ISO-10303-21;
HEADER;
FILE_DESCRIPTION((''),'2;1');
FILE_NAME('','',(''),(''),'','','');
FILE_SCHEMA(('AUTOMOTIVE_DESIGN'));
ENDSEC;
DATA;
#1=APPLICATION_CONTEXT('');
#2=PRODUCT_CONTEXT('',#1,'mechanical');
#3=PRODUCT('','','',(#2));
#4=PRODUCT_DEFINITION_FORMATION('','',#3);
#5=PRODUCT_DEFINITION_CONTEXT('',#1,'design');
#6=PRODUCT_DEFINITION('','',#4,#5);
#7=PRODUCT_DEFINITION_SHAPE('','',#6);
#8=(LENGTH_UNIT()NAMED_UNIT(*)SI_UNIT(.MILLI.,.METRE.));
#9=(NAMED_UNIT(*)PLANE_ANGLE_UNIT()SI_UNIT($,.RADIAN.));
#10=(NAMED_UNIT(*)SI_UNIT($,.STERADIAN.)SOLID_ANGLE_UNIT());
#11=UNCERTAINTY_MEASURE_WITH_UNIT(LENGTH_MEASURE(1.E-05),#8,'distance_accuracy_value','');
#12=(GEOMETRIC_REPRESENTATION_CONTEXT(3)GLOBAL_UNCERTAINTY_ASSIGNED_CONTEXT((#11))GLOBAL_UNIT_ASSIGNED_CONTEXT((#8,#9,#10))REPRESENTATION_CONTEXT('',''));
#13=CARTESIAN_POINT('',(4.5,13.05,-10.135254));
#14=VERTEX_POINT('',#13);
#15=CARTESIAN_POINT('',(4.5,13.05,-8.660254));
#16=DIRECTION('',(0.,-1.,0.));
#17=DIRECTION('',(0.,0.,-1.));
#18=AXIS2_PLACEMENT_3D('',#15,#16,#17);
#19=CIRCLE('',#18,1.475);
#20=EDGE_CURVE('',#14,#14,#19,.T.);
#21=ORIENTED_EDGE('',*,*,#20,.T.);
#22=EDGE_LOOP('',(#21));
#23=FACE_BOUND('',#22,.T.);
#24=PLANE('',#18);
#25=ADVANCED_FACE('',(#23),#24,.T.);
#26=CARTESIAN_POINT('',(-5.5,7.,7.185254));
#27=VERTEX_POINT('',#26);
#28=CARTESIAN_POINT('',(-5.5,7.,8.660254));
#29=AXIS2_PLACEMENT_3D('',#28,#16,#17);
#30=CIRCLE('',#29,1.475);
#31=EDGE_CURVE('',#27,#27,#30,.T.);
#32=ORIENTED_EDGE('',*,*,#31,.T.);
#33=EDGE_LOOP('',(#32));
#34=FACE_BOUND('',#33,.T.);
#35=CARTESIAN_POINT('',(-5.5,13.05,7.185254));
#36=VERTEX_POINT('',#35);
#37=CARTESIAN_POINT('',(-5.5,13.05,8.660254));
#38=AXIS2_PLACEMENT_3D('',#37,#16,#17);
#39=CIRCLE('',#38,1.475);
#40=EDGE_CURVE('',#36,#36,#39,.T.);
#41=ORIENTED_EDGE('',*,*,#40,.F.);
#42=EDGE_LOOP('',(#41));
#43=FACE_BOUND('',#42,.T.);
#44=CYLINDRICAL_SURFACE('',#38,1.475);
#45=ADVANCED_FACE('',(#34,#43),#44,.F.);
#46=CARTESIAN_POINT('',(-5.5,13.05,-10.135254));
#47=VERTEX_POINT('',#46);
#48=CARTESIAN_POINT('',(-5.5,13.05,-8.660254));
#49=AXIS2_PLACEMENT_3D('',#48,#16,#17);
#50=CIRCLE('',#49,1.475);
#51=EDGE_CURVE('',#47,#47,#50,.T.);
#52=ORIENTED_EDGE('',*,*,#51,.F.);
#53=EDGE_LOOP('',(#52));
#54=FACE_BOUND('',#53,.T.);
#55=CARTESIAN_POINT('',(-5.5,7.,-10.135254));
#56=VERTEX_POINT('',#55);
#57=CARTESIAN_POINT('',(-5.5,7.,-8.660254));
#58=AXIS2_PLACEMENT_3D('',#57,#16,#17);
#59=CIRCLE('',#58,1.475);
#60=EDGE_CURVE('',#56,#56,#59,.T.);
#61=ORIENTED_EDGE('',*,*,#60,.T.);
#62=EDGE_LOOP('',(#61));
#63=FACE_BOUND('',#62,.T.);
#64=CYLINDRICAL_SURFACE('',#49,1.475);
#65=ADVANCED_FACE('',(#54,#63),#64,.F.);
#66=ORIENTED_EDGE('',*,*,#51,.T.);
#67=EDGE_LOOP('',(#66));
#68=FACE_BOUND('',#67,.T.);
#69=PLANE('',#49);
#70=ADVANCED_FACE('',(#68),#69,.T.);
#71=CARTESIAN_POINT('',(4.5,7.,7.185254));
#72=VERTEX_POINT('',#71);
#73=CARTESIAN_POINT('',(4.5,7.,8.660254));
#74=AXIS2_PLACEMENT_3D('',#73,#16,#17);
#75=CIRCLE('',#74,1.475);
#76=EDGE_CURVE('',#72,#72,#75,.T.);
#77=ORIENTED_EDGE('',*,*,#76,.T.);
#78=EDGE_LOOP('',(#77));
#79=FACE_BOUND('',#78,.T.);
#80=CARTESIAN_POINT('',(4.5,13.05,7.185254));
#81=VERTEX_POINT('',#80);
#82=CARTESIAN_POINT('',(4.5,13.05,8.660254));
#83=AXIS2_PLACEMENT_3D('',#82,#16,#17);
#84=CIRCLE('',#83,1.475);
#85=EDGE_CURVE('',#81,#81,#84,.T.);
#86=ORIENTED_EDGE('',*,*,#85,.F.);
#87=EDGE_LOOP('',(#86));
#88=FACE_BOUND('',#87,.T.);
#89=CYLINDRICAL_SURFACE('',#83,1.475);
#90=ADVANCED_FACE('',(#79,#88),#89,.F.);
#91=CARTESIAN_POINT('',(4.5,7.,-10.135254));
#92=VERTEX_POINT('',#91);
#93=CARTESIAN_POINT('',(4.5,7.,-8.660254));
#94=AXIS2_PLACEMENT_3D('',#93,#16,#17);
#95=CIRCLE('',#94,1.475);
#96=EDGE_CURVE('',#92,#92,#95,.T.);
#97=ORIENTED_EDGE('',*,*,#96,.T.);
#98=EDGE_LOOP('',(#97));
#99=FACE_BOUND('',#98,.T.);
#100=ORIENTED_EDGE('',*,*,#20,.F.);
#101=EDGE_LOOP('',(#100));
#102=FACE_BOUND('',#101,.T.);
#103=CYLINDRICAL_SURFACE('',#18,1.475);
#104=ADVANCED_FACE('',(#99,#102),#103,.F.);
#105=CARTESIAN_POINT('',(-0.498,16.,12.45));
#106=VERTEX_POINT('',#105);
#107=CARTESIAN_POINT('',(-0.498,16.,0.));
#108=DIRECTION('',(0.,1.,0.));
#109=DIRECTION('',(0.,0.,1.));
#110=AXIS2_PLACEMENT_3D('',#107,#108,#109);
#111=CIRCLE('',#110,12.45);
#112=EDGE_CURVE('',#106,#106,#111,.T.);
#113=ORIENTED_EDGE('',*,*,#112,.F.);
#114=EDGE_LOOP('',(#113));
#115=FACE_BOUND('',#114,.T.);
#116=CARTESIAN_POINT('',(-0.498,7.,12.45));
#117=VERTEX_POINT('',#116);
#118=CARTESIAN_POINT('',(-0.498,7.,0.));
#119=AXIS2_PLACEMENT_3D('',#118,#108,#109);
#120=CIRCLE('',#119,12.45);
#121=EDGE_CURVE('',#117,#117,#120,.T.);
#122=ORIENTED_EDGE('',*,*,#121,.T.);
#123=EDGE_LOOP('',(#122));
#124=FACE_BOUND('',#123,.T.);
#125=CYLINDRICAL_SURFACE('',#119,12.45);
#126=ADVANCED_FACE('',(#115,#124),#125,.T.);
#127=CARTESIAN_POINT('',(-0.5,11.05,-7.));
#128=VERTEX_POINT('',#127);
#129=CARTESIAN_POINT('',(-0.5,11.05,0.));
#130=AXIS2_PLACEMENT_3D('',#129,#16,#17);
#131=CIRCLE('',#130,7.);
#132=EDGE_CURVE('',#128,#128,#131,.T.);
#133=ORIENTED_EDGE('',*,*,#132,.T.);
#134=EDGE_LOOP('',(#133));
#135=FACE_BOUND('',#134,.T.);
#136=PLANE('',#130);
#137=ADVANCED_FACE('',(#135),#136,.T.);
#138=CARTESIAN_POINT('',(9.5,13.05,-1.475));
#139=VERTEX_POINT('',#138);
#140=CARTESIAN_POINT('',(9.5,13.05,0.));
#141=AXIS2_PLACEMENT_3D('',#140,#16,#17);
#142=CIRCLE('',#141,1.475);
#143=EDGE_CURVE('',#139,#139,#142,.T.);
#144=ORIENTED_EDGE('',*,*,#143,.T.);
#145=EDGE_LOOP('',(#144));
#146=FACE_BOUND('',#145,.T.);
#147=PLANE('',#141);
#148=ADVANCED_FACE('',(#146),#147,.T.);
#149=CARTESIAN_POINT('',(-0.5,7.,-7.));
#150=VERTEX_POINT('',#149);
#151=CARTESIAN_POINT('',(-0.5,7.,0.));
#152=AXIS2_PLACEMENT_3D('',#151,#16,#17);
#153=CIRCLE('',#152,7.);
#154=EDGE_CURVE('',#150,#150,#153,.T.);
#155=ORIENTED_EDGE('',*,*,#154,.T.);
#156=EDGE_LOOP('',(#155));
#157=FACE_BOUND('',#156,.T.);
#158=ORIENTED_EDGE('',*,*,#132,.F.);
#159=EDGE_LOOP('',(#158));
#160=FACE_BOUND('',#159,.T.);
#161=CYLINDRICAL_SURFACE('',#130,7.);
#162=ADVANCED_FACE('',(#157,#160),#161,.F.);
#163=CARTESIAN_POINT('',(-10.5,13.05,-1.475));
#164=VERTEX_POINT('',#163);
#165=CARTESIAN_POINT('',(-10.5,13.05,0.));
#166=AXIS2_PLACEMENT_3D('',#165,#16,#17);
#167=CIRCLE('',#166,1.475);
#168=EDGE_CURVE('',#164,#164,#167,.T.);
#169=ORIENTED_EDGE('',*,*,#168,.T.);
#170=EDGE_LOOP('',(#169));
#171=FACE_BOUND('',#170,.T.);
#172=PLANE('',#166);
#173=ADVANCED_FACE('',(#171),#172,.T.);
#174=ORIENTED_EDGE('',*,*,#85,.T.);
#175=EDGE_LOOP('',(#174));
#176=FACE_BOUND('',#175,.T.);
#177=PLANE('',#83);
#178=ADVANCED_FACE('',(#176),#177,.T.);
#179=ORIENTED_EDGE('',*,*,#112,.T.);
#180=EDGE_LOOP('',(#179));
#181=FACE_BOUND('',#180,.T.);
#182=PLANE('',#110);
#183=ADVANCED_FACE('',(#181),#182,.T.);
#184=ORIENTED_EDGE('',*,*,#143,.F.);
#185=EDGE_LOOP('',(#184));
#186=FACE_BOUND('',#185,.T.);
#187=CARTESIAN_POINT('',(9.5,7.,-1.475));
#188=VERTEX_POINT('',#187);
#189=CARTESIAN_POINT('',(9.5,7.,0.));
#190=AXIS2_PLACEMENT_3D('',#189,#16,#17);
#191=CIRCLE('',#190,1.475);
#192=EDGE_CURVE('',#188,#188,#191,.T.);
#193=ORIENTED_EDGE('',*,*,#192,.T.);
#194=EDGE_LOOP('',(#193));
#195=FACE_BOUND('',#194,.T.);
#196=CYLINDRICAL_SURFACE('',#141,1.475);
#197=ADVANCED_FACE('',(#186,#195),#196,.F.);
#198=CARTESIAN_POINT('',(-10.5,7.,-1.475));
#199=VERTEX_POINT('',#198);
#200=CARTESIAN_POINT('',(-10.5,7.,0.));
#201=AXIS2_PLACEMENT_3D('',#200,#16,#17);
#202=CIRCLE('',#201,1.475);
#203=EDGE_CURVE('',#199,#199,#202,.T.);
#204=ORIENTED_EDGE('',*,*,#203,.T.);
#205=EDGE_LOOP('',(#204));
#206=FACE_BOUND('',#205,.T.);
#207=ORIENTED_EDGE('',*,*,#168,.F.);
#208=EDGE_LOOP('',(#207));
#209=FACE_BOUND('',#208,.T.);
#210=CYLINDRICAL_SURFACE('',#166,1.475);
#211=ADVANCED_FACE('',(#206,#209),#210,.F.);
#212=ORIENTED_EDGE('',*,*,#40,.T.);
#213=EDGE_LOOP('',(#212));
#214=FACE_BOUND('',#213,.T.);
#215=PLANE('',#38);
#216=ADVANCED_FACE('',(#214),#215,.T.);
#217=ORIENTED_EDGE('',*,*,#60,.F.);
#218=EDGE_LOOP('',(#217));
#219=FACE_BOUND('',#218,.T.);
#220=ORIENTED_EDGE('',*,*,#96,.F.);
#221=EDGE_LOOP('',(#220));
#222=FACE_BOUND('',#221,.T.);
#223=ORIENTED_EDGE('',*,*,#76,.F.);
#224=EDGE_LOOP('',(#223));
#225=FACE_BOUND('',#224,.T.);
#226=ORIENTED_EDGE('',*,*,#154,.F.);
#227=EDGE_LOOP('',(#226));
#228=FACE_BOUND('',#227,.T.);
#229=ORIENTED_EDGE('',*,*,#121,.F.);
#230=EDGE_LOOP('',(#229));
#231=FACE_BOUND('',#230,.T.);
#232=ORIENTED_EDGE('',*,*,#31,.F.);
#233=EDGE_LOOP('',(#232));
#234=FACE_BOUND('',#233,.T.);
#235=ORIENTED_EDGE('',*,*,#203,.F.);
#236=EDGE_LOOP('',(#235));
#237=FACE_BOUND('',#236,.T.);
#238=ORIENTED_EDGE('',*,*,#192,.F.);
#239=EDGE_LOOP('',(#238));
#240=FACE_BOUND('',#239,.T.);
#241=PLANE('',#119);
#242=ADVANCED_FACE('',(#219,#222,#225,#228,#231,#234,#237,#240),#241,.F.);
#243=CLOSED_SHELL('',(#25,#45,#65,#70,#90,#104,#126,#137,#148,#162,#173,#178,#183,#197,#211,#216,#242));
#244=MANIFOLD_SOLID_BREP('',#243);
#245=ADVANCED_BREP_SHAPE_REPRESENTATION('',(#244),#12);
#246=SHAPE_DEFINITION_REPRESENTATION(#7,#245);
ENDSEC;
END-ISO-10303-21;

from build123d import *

# Parameters (mm, degrees)
BOSS_EXTRUDE2_DEPTH      = 2
BOSS_EXTRUDE2_DEPTH_BACK = 7
SKETCH2_R                = 12.45
SKETCH3_R                = 1.475
CUT_EXTRUDE1_DEPTH       = 6.05
SKETCH4_R                = 7
CUT_EXTRUDE2_DEPTH       = 4.05


with BuildPart() as part:
    # Sketch2 → Boss-Extrude2 (new, two sides: drawn at the far end of the back side and taken through both)
    with BuildSketch(Plane(origin=(0, 14, 0), x_dir=(1, 0, 0), z_dir=(0, 1, 0)).offset(-BOSS_EXTRUDE2_DEPTH_BACK)):
        with Locations(Location((-0.498, 0, 0), (0, 0, 270))):
            Circle(SKETCH2_R)
    extrude(amount=BOSS_EXTRUDE2_DEPTH + BOSS_EXTRUDE2_DEPTH_BACK)

    # Sketch3 → Cut-Extrude1 (cut)
    with BuildSketch(Plane.XZ.offset(-7)):
        with Locations(Location((9.5, 0, 0), (0, 0, 270))):
            Circle(SKETCH3_R)
        with Locations(Location((4.5, -8.660254038, 0), (0, 0, 270))):
            Circle(SKETCH3_R)
        with Locations(Location((-5.5, -8.660254038, 0), (0, 0, 270))):
            Circle(SKETCH3_R)
        with Locations(Location((-10.5, 0, 0), (0, 0, 270))):
            Circle(SKETCH3_R)
        with Locations(Location((-5.5, 8.660254038, 0), (0, 0, 270))):
            Circle(SKETCH3_R)
        with Locations(Location((4.5, 8.660254038, 0), (0, 0, 270))):
            Circle(SKETCH3_R)
    extrude(amount=-CUT_EXTRUDE1_DEPTH, mode=Mode.SUBTRACT)

    # Sketch4 → Cut-Extrude2 (cut)
    with BuildSketch(Plane.XZ.offset(-7)):
        with Locations(Location((-0.5, 0, 0), (0, 0, 270))):
            Circle(SKETCH4_R)
    extrude(amount=-CUT_EXTRUDE2_DEPTH, mode=Mode.SUBTRACT)


solid = part.part
